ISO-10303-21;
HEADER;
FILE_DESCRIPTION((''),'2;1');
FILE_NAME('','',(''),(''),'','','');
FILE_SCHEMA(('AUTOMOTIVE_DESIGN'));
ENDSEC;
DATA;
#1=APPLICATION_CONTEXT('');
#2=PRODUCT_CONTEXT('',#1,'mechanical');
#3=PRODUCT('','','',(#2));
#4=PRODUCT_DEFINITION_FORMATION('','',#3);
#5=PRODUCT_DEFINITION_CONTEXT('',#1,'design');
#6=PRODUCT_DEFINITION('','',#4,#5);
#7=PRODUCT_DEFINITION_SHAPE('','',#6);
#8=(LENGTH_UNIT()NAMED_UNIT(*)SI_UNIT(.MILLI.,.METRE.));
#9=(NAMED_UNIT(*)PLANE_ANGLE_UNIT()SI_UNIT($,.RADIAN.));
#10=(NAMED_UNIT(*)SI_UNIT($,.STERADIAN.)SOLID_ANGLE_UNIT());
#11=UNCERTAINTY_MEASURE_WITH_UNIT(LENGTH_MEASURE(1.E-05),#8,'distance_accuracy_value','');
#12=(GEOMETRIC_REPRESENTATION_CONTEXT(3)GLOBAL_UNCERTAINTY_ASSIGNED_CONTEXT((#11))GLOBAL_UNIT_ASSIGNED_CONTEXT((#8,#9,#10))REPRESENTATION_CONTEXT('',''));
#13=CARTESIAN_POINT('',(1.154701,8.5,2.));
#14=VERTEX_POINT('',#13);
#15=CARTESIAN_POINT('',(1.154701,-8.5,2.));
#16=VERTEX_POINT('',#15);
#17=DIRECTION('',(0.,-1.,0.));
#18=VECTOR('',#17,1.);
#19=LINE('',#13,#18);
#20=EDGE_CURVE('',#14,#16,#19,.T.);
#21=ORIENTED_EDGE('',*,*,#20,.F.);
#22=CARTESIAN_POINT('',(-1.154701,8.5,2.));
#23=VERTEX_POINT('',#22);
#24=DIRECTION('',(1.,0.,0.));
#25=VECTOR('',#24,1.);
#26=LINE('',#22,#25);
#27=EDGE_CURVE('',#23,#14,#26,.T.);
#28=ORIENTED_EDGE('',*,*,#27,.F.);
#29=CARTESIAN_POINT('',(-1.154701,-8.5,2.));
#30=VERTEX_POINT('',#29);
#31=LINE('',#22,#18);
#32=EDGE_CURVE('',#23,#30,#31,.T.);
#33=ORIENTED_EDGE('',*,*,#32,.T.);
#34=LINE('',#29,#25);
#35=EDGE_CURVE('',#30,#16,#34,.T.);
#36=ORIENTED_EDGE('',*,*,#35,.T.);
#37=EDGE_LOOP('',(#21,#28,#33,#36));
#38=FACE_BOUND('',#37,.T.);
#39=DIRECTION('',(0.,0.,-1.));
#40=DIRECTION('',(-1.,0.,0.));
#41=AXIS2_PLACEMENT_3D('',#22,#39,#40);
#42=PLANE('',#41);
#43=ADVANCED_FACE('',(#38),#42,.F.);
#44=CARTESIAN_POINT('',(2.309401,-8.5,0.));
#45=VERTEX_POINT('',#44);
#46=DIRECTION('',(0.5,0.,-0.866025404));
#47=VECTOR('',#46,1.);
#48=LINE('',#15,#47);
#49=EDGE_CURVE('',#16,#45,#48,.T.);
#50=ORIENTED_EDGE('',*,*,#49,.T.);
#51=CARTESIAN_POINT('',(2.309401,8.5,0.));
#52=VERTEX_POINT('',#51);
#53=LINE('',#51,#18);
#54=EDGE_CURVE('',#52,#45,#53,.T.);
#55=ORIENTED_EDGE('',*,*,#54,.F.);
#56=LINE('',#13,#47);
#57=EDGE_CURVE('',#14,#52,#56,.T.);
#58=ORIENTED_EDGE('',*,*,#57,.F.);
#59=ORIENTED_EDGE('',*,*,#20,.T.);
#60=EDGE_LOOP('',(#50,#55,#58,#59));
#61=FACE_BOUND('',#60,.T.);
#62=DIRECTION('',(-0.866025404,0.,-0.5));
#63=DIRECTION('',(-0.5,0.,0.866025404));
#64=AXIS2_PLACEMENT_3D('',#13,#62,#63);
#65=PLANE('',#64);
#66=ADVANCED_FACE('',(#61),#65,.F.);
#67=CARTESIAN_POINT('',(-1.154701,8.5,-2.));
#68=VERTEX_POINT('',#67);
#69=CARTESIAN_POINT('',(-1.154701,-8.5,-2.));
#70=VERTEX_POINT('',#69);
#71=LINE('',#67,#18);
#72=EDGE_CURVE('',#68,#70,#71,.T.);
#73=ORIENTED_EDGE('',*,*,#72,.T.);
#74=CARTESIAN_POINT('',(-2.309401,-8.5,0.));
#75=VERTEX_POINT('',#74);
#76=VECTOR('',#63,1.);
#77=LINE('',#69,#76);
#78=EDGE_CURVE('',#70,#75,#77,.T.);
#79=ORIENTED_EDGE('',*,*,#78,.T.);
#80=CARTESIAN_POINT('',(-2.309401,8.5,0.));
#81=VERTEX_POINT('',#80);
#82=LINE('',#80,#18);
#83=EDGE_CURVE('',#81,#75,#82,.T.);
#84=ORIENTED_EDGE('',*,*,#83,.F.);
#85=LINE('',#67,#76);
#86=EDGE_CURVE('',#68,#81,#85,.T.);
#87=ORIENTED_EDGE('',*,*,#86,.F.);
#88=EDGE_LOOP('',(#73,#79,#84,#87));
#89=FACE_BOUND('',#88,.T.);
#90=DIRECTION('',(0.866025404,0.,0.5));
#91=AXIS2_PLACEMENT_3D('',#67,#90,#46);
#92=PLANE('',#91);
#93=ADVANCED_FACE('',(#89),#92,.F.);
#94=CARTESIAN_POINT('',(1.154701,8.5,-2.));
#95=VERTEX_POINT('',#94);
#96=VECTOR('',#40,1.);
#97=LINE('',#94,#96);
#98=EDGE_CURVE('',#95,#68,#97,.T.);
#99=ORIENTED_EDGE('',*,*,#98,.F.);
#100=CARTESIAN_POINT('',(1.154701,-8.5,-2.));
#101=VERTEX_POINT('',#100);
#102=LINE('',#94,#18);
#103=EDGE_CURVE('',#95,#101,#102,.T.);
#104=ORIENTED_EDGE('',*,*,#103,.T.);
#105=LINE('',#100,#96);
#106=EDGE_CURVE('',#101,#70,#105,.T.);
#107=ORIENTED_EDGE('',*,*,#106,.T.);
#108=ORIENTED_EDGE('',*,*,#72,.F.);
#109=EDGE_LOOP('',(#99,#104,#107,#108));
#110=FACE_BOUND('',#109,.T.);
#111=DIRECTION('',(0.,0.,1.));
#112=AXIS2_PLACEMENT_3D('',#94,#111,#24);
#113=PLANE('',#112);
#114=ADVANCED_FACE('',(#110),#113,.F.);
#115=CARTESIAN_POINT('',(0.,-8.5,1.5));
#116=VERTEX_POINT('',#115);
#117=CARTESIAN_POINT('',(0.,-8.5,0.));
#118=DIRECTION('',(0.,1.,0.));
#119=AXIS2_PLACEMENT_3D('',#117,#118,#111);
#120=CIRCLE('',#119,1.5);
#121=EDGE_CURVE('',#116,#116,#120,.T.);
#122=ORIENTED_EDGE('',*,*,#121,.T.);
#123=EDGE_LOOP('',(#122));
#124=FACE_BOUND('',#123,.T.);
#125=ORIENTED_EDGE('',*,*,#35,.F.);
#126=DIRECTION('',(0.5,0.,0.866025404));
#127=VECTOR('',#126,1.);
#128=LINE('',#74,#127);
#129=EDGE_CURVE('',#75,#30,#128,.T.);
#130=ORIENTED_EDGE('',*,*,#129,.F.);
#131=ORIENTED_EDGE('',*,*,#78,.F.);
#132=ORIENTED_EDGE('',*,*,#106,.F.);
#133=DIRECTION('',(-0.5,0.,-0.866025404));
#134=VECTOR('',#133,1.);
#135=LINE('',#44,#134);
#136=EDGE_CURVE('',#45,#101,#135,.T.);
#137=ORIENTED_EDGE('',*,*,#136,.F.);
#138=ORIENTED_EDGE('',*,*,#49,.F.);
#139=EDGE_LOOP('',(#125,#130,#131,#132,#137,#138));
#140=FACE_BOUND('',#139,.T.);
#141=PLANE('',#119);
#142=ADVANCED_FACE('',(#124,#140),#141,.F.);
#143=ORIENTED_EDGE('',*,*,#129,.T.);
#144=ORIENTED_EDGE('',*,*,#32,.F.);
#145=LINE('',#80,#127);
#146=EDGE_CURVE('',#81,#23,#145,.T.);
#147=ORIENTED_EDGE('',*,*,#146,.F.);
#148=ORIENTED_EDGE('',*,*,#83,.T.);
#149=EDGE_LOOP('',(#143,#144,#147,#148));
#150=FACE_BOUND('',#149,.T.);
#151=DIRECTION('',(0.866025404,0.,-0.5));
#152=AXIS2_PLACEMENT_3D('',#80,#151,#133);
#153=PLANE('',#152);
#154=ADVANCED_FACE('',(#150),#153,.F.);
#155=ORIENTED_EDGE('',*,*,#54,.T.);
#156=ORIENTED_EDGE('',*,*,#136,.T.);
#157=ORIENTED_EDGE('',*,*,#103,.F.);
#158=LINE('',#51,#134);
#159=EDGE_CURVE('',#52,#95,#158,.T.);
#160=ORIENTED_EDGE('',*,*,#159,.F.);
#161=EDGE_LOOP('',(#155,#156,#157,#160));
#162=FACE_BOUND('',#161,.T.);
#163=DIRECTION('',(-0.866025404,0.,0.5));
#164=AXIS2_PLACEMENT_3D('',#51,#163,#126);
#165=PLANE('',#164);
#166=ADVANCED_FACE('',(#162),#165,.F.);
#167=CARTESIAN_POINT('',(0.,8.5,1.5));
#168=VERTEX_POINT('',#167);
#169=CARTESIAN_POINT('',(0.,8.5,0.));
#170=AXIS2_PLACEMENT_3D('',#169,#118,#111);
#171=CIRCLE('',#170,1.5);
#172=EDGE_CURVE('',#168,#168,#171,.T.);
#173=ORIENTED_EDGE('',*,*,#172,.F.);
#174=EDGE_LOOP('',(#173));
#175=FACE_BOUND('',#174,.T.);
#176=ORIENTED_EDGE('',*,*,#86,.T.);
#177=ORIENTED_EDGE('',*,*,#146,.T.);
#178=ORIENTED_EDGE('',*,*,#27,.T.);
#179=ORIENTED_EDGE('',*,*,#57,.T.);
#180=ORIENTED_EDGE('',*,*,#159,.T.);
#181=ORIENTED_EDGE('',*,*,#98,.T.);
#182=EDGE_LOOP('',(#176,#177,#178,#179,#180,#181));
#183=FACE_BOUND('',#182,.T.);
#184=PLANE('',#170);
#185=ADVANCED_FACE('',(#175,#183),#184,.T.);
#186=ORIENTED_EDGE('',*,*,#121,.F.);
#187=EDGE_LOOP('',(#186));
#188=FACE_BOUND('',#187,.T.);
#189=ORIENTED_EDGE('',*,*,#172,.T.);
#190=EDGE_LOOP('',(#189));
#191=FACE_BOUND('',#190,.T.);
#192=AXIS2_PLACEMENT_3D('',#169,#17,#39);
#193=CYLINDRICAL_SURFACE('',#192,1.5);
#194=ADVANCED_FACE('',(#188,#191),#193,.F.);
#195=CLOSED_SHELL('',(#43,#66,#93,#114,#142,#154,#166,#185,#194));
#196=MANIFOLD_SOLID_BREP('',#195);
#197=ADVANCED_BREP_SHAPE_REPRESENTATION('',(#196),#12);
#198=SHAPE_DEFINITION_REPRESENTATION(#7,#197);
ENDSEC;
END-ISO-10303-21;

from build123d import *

# Parameters (mm, degrees)
CROQUIS1_R              = 1.5
SALIENTE_EXTRUIR1_DEPTH = 8.5


with BuildPart() as part:
    # Croquis1 → Saliente-Extruir1 (new body, symmetric)
    with BuildSketch(Plane(origin=(0, 0, 0), x_dir=(1, 0, 0), z_dir=(0, 1, 0))):
        Polygon((1.154700538, 2), (-1.154700538, 2), (-2.309401077, 0), (-1.154700538, -2), (1.154700538, -2), (2.309401077, 0), align=None)
        Circle(CROQUIS1_R, mode=Mode.SUBTRACT)
    extrude(amount=SALIENTE_EXTRUIR1_DEPTH, both=True)


solid = part.part
